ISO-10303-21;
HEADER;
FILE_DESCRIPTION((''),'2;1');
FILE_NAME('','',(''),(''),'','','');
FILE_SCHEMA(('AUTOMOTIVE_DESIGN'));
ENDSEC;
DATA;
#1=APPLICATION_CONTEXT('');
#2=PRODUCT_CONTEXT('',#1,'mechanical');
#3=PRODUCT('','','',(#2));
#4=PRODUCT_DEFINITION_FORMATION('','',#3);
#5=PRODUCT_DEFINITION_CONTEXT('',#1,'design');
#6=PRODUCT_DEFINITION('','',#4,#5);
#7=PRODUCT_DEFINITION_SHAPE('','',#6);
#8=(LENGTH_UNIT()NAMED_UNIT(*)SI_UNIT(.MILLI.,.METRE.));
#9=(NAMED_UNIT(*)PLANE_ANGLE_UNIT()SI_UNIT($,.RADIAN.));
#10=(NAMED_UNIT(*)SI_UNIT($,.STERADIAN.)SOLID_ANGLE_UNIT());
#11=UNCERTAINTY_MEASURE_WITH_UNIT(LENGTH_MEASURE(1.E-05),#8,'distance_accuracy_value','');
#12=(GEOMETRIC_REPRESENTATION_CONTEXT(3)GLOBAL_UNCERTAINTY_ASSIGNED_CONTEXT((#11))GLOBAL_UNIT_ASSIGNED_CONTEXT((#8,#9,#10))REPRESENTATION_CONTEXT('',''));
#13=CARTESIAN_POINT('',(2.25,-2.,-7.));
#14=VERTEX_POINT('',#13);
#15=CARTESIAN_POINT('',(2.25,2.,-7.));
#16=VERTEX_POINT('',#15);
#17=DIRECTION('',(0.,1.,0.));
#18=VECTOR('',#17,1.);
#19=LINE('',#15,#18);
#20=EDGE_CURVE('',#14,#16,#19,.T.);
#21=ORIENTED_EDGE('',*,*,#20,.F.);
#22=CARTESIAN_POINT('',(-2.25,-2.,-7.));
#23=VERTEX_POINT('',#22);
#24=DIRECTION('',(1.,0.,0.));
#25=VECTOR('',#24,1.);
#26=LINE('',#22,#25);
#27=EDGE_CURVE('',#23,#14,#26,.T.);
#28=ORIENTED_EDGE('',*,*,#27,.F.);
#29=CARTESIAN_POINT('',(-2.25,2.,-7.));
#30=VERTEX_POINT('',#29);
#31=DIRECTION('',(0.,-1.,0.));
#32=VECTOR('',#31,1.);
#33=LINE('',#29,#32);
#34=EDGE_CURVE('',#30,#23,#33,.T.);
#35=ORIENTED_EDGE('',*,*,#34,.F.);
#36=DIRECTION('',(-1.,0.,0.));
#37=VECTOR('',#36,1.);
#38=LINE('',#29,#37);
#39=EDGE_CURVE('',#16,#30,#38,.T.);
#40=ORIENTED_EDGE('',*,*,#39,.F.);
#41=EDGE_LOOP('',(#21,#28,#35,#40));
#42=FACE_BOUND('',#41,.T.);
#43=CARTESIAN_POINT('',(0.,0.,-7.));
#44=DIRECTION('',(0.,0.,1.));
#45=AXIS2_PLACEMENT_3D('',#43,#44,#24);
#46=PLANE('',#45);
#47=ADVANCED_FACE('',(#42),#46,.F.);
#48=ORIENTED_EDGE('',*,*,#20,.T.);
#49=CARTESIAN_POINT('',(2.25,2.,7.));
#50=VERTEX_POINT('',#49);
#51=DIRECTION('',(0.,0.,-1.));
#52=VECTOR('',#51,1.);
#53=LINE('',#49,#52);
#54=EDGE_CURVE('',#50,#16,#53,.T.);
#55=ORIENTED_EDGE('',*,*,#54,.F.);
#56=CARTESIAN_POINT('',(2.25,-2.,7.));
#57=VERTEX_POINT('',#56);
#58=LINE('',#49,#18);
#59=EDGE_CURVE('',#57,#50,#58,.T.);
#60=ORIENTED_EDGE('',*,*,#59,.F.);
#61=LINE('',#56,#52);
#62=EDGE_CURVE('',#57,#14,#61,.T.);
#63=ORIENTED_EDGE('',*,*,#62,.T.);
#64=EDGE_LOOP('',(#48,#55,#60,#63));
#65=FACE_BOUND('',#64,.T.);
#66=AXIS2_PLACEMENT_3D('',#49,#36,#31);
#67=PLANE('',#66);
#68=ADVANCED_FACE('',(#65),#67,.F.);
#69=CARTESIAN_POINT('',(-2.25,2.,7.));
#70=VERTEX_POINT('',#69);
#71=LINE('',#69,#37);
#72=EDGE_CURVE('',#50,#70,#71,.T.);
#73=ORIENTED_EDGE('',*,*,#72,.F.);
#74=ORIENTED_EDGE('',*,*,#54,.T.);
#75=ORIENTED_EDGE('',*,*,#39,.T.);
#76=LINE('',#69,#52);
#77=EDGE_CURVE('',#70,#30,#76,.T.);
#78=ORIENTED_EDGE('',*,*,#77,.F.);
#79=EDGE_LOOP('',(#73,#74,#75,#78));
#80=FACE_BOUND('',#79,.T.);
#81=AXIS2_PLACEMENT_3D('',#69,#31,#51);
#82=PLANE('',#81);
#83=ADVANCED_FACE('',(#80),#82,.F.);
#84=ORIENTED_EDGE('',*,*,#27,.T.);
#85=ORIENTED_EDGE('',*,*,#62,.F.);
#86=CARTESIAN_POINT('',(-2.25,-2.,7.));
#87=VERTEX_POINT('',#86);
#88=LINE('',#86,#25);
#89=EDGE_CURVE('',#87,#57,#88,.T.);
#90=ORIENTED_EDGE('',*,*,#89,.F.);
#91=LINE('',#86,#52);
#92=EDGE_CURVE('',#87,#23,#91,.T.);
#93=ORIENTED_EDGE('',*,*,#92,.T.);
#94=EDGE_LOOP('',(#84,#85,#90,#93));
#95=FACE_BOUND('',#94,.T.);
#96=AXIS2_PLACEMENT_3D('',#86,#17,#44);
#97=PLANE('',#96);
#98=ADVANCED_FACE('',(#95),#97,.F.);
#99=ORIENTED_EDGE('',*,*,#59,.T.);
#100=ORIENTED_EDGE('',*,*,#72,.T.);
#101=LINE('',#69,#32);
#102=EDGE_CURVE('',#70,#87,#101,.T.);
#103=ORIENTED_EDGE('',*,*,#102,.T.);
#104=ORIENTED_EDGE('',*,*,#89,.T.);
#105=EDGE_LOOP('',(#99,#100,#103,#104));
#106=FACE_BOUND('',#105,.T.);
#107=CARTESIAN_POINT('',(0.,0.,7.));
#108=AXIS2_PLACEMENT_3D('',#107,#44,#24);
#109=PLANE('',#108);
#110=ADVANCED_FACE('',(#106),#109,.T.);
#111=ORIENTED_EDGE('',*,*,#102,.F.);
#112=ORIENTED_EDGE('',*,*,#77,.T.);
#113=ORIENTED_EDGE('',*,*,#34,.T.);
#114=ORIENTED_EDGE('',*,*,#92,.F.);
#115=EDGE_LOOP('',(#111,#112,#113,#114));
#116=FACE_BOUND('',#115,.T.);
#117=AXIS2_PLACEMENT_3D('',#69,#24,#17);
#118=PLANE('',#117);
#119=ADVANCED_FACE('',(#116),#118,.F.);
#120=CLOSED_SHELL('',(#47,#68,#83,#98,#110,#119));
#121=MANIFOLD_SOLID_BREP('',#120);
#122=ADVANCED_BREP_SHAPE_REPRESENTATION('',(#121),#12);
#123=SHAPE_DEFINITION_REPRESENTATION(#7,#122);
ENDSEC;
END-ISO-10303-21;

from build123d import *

# Parameters (mm, degrees)
SKETCH1_W           = 4.5
SKETCH1_H           = 4
BOSS_EXTRUDE1_DEPTH = 7


with BuildPart() as part:
    # Sketch1 → Boss-Extrude1 (new body, symmetric)
    with BuildSketch(Plane.XY):
        Rectangle(SKETCH1_W, SKETCH1_H)
    extrude(amount=BOSS_EXTRUDE1_DEPTH, both=True)


solid = part.part
